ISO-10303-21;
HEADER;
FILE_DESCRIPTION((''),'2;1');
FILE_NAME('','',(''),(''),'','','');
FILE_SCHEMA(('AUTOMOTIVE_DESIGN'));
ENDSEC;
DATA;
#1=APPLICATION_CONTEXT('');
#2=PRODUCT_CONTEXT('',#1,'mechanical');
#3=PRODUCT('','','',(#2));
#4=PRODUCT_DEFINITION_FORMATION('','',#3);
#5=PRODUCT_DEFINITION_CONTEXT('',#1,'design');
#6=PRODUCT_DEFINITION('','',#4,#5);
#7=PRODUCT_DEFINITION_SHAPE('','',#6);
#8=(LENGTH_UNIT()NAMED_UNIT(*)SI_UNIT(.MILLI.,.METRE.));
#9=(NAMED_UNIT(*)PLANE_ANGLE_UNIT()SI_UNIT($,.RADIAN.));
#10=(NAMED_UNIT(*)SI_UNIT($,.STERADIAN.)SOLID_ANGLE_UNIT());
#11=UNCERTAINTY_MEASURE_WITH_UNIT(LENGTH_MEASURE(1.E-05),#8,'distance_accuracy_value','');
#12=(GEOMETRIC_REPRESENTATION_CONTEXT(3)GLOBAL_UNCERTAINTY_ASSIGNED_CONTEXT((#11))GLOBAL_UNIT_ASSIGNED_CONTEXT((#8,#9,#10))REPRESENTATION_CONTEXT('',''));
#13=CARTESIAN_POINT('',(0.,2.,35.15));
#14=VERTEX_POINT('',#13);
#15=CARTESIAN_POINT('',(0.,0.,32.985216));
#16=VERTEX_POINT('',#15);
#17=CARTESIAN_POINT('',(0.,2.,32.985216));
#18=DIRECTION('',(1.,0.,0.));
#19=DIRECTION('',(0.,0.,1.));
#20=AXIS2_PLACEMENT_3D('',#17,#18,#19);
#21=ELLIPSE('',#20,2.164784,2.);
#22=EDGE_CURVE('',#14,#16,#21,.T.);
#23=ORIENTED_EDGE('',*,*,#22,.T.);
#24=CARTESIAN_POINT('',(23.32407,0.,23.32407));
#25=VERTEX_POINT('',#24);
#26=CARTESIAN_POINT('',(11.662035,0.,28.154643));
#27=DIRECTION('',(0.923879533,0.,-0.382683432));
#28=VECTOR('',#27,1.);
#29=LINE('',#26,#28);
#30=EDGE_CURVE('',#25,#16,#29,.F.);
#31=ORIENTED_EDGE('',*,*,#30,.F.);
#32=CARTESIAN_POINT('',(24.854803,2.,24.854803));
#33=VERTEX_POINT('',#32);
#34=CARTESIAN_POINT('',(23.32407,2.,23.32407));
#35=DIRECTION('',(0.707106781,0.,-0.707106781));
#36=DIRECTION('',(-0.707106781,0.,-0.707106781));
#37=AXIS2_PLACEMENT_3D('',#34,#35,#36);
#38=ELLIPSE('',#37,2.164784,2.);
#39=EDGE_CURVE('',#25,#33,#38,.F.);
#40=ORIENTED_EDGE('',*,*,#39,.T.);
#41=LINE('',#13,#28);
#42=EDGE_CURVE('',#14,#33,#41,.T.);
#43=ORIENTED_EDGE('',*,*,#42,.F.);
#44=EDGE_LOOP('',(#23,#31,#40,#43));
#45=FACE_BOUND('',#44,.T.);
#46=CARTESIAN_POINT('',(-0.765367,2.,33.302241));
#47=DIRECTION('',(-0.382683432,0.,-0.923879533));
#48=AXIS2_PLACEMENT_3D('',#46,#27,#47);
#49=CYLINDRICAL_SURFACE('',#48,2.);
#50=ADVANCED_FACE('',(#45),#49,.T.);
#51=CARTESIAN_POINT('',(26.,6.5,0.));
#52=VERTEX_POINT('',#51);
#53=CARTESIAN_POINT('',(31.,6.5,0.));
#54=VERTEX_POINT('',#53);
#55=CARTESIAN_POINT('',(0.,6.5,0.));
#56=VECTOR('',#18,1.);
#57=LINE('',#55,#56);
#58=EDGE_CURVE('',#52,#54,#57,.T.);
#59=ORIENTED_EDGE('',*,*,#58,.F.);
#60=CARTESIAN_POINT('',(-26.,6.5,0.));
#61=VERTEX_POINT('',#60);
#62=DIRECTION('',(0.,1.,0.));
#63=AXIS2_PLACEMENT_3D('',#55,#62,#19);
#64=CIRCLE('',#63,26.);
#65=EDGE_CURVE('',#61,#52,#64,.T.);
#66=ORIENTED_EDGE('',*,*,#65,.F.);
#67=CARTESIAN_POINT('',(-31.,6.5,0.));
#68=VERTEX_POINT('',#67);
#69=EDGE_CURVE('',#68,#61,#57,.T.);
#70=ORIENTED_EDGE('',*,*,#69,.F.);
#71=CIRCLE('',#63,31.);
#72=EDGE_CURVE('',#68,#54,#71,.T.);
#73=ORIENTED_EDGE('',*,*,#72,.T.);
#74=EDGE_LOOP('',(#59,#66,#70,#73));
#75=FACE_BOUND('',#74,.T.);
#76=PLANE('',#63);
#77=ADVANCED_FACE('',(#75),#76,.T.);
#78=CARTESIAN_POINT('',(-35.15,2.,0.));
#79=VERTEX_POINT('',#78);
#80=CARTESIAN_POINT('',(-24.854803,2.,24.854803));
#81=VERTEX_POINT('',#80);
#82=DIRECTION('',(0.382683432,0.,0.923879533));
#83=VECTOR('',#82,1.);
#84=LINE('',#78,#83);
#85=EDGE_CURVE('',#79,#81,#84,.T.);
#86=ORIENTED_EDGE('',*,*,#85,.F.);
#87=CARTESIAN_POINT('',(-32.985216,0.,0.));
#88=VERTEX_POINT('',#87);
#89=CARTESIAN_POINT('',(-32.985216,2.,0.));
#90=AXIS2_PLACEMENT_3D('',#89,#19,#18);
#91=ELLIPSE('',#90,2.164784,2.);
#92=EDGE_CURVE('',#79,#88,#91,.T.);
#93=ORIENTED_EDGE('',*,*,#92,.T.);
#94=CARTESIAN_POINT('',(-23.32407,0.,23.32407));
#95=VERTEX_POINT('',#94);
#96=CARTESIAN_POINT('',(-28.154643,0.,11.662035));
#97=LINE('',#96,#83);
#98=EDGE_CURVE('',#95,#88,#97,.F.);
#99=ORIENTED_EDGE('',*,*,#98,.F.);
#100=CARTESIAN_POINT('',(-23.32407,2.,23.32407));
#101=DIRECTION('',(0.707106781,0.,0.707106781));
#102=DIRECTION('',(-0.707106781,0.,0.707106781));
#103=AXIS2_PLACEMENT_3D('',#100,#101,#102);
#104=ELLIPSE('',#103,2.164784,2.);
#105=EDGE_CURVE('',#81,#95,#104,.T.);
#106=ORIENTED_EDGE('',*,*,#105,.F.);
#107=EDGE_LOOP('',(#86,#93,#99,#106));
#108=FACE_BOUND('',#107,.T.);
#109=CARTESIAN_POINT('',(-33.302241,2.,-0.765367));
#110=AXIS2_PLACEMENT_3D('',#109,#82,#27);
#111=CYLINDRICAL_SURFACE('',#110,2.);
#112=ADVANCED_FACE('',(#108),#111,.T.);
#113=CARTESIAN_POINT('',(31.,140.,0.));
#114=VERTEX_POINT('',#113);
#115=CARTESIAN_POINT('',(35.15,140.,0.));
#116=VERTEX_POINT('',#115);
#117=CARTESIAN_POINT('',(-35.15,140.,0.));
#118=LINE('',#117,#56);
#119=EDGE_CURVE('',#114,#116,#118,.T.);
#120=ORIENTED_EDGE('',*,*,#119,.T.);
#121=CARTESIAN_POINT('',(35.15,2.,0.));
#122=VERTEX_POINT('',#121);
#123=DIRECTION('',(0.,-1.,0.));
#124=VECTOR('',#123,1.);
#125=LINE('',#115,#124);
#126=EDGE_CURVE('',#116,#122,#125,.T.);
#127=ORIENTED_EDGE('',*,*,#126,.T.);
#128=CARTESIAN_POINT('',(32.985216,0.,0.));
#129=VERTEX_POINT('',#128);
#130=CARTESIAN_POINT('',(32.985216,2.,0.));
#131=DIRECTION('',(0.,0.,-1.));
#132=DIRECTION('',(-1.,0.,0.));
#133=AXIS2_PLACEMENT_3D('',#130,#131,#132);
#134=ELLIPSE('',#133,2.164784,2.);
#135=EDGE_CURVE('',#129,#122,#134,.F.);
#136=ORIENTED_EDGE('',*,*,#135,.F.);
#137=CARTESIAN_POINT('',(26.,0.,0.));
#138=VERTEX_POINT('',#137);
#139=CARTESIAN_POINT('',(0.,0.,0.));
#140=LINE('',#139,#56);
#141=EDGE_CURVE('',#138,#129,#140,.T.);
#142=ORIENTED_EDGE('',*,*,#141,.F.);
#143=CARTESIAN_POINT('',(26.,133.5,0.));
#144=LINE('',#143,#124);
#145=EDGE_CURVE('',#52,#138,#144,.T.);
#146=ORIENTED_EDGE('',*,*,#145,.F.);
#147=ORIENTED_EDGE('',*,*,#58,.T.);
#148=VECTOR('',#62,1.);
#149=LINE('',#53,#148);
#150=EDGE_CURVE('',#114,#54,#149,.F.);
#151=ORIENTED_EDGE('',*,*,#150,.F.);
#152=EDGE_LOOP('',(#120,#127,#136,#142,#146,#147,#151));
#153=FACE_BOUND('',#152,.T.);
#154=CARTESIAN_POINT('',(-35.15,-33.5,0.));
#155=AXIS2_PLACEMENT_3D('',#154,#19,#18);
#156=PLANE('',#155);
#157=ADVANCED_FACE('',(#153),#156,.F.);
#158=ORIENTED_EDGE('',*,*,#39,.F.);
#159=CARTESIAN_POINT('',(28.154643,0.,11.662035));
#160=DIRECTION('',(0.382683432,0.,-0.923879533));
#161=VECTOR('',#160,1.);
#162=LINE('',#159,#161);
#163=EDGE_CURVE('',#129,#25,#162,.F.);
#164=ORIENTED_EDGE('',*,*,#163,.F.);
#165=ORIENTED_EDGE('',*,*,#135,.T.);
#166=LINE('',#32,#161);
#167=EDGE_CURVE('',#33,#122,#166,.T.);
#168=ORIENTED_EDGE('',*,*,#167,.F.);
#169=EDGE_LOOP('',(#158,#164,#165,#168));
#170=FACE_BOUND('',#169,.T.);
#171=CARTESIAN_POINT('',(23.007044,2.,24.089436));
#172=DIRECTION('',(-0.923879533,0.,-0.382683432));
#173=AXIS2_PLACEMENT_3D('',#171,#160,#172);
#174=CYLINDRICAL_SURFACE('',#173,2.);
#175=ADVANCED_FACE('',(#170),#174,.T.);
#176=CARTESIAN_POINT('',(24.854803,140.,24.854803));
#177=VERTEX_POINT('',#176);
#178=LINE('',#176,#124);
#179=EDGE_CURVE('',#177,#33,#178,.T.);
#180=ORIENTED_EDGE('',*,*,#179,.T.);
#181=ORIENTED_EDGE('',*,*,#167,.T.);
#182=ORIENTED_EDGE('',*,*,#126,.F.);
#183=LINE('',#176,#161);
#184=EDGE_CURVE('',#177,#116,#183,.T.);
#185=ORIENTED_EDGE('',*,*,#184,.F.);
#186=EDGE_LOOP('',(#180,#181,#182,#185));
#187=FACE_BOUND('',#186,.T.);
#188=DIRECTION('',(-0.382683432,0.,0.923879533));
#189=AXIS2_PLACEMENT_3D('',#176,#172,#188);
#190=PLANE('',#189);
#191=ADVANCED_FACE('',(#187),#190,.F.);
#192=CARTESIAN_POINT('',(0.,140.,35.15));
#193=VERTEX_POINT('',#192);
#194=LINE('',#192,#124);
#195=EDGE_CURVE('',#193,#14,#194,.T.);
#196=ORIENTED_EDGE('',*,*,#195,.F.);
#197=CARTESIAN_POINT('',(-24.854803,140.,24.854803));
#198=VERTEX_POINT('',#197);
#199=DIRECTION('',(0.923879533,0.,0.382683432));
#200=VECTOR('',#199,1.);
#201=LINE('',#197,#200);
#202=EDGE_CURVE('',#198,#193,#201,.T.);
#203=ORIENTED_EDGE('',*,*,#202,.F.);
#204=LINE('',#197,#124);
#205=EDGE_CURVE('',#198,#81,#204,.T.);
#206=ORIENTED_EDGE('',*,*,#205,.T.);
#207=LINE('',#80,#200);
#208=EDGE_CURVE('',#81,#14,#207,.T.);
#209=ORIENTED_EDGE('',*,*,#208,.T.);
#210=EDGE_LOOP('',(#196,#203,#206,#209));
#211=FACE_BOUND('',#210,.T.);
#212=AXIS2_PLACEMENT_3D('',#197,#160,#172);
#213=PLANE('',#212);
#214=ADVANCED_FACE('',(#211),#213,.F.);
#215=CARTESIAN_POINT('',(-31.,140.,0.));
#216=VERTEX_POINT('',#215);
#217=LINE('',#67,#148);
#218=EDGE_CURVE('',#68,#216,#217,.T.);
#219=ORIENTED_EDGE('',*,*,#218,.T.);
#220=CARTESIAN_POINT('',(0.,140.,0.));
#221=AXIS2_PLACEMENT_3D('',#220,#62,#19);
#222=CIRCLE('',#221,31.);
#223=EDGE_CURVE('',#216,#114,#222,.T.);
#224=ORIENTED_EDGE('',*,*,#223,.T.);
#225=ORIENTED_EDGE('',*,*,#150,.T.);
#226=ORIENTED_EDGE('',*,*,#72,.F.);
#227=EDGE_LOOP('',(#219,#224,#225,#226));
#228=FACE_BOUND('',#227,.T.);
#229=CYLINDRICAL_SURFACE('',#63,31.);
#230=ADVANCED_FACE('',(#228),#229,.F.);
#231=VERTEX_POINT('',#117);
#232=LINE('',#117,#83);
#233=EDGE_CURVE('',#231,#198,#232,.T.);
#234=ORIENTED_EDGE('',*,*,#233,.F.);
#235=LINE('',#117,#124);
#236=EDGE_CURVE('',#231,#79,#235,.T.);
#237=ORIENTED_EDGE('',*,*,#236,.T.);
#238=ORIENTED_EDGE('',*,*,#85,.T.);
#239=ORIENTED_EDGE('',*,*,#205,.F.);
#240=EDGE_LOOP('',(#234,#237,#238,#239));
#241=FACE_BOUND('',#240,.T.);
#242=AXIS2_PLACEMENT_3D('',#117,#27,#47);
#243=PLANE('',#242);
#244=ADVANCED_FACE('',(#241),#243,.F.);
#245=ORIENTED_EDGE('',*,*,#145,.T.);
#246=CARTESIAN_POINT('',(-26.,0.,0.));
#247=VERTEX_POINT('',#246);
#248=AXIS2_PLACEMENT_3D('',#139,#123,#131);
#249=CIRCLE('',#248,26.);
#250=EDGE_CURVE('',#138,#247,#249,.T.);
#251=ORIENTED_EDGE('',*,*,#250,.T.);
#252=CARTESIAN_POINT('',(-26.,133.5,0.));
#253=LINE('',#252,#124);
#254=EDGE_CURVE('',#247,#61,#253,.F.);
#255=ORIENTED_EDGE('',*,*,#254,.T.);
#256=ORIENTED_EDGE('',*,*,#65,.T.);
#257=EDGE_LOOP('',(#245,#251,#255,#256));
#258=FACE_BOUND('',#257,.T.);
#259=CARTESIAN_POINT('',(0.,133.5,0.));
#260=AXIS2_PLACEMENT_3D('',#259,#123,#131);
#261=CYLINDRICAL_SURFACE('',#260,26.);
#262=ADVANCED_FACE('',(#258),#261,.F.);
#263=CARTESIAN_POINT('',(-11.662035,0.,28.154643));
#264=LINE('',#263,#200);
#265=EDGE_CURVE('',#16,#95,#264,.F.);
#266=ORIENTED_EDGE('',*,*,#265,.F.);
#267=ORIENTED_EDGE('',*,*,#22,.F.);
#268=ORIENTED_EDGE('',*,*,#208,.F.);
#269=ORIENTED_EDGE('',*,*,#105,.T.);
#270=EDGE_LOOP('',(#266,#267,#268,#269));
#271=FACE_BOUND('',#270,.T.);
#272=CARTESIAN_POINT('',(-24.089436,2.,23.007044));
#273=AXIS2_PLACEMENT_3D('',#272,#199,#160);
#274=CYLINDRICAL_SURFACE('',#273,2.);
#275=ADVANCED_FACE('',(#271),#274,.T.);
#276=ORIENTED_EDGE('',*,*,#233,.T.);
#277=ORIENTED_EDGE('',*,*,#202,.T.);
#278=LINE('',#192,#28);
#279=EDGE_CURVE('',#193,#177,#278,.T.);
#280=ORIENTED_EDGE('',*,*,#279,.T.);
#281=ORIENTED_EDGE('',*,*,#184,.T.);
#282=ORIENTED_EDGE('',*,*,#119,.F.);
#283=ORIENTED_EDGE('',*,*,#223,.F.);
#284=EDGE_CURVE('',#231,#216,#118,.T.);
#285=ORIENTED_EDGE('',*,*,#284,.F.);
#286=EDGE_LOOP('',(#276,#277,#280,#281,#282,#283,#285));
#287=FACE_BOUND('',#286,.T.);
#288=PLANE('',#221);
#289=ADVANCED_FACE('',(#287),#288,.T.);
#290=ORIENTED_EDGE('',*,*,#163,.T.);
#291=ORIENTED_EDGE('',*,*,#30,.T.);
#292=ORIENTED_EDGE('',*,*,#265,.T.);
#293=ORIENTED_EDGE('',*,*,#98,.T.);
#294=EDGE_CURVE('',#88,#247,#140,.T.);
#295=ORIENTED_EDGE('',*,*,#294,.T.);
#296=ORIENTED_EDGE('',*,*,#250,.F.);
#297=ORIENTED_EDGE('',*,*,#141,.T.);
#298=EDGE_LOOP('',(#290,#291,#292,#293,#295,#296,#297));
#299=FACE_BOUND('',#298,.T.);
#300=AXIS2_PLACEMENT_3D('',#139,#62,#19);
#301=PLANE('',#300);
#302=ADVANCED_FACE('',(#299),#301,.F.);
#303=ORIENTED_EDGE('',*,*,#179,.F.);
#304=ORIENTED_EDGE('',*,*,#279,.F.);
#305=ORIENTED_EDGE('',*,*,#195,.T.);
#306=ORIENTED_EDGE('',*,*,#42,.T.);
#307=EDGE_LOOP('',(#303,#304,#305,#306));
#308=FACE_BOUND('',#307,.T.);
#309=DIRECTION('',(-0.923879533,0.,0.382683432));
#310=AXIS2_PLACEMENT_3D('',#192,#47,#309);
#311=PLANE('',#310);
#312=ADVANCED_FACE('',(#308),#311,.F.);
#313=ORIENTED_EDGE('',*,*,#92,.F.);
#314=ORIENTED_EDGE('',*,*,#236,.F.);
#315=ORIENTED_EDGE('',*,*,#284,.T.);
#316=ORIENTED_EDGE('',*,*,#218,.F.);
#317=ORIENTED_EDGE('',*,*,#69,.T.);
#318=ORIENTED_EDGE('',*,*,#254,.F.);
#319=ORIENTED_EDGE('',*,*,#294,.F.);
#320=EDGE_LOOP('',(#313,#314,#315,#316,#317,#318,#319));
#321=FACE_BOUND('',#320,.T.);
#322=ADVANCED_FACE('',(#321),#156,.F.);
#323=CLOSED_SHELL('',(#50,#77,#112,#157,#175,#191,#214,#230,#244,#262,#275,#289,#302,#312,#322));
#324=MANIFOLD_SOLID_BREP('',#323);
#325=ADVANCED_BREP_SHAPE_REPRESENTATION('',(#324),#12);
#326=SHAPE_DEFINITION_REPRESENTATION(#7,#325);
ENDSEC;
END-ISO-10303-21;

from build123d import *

# Parameters (mm, degrees)
BOSS_EXTRUDE1_DEPTH = 140
SKETCH2_R           = 31
CUT_EXTRUDE1_DEPTH  = 133.5
SKETCH3_R           = 26
CUT_EXTRUDE2_DEPTH  = 133.5
FILLET1_R           = 2
CUT_EXTRUDE3_DEPTH  = 173.5


with BuildPart() as part:
    # Sketch1 → Boss-Extrude1 (new body)
    with BuildSketch(Plane(origin=(0, 0, 0), x_dir=(1, 0, 0), z_dir=(0, 1, 0))):
        Polygon((35.15, 0), (24.854803359, 24.854803359), (0, 35.15), (-24.854803359, 24.854803359), (-35.15, 0), (-24.854803359, -24.854803359), (0, -35.15), (24.854803359, -24.854803359), align=None)
    extrude(amount=BOSS_EXTRUDE1_DEPTH)

    # Sketch2 → Cut-Extrude1 (cut)
    with BuildSketch(Plane(origin=(0, 140, 0), x_dir=(1, 0, 0), z_dir=(0, 1, 0))):
        with Locations(Location((0, 0, 0), (0, 0, 270))):
            Circle(SKETCH2_R)
    extrude(amount=-CUT_EXTRUDE1_DEPTH, mode=Mode.SUBTRACT)

    # Sketch3 → Cut-Extrude2 (cut)
    with BuildSketch(Plane(origin=(0, 0, 0), x_dir=(-1, 0, 0), z_dir=(0, -1, 0))):
        with Locations(Location((0, 0, 0), (0, 0, 90))):
            Circle(SKETCH3_R)
    extrude(amount=-CUT_EXTRUDE2_DEPTH, mode=Mode.SUBTRACT)

    # Fillet1
    fillet1_edges = [part.edges().sort_by_distance(p)[0] for p in [
        (30.002401679, 0, -12.427401679),
        (30.002401679, 0, 12.427401679),
        (12.427401679, 0, 30.002401679),
        (-12.427401679, 0, 30.002401679),
        (-30.002401679, 0, 12.427401679),
        (-30.002401679, 0, -12.427401679),
        (-12.427401679, 0, -30.002401679),
        (12.427401679, 0, -30.002401679),
    ]]
    fillet(fillet1_edges, radius=FILLET1_R)

    # Sketch4 → Cut-Extrude3 (cut)
    with BuildSketch(Plane(origin=(0, 140, 0), x_dir=(1, 0, 0), z_dir=(0, 1, 0))):
        Polygon((-35.15, 0), (35.15, 0), (24.854803359, 24.854803359), (0, 35.15), (-24.854803359, 24.854803359), align=None)
    extrude(amount=-CUT_EXTRUDE3_DEPTH, mode=Mode.SUBTRACT)


solid = part.part
